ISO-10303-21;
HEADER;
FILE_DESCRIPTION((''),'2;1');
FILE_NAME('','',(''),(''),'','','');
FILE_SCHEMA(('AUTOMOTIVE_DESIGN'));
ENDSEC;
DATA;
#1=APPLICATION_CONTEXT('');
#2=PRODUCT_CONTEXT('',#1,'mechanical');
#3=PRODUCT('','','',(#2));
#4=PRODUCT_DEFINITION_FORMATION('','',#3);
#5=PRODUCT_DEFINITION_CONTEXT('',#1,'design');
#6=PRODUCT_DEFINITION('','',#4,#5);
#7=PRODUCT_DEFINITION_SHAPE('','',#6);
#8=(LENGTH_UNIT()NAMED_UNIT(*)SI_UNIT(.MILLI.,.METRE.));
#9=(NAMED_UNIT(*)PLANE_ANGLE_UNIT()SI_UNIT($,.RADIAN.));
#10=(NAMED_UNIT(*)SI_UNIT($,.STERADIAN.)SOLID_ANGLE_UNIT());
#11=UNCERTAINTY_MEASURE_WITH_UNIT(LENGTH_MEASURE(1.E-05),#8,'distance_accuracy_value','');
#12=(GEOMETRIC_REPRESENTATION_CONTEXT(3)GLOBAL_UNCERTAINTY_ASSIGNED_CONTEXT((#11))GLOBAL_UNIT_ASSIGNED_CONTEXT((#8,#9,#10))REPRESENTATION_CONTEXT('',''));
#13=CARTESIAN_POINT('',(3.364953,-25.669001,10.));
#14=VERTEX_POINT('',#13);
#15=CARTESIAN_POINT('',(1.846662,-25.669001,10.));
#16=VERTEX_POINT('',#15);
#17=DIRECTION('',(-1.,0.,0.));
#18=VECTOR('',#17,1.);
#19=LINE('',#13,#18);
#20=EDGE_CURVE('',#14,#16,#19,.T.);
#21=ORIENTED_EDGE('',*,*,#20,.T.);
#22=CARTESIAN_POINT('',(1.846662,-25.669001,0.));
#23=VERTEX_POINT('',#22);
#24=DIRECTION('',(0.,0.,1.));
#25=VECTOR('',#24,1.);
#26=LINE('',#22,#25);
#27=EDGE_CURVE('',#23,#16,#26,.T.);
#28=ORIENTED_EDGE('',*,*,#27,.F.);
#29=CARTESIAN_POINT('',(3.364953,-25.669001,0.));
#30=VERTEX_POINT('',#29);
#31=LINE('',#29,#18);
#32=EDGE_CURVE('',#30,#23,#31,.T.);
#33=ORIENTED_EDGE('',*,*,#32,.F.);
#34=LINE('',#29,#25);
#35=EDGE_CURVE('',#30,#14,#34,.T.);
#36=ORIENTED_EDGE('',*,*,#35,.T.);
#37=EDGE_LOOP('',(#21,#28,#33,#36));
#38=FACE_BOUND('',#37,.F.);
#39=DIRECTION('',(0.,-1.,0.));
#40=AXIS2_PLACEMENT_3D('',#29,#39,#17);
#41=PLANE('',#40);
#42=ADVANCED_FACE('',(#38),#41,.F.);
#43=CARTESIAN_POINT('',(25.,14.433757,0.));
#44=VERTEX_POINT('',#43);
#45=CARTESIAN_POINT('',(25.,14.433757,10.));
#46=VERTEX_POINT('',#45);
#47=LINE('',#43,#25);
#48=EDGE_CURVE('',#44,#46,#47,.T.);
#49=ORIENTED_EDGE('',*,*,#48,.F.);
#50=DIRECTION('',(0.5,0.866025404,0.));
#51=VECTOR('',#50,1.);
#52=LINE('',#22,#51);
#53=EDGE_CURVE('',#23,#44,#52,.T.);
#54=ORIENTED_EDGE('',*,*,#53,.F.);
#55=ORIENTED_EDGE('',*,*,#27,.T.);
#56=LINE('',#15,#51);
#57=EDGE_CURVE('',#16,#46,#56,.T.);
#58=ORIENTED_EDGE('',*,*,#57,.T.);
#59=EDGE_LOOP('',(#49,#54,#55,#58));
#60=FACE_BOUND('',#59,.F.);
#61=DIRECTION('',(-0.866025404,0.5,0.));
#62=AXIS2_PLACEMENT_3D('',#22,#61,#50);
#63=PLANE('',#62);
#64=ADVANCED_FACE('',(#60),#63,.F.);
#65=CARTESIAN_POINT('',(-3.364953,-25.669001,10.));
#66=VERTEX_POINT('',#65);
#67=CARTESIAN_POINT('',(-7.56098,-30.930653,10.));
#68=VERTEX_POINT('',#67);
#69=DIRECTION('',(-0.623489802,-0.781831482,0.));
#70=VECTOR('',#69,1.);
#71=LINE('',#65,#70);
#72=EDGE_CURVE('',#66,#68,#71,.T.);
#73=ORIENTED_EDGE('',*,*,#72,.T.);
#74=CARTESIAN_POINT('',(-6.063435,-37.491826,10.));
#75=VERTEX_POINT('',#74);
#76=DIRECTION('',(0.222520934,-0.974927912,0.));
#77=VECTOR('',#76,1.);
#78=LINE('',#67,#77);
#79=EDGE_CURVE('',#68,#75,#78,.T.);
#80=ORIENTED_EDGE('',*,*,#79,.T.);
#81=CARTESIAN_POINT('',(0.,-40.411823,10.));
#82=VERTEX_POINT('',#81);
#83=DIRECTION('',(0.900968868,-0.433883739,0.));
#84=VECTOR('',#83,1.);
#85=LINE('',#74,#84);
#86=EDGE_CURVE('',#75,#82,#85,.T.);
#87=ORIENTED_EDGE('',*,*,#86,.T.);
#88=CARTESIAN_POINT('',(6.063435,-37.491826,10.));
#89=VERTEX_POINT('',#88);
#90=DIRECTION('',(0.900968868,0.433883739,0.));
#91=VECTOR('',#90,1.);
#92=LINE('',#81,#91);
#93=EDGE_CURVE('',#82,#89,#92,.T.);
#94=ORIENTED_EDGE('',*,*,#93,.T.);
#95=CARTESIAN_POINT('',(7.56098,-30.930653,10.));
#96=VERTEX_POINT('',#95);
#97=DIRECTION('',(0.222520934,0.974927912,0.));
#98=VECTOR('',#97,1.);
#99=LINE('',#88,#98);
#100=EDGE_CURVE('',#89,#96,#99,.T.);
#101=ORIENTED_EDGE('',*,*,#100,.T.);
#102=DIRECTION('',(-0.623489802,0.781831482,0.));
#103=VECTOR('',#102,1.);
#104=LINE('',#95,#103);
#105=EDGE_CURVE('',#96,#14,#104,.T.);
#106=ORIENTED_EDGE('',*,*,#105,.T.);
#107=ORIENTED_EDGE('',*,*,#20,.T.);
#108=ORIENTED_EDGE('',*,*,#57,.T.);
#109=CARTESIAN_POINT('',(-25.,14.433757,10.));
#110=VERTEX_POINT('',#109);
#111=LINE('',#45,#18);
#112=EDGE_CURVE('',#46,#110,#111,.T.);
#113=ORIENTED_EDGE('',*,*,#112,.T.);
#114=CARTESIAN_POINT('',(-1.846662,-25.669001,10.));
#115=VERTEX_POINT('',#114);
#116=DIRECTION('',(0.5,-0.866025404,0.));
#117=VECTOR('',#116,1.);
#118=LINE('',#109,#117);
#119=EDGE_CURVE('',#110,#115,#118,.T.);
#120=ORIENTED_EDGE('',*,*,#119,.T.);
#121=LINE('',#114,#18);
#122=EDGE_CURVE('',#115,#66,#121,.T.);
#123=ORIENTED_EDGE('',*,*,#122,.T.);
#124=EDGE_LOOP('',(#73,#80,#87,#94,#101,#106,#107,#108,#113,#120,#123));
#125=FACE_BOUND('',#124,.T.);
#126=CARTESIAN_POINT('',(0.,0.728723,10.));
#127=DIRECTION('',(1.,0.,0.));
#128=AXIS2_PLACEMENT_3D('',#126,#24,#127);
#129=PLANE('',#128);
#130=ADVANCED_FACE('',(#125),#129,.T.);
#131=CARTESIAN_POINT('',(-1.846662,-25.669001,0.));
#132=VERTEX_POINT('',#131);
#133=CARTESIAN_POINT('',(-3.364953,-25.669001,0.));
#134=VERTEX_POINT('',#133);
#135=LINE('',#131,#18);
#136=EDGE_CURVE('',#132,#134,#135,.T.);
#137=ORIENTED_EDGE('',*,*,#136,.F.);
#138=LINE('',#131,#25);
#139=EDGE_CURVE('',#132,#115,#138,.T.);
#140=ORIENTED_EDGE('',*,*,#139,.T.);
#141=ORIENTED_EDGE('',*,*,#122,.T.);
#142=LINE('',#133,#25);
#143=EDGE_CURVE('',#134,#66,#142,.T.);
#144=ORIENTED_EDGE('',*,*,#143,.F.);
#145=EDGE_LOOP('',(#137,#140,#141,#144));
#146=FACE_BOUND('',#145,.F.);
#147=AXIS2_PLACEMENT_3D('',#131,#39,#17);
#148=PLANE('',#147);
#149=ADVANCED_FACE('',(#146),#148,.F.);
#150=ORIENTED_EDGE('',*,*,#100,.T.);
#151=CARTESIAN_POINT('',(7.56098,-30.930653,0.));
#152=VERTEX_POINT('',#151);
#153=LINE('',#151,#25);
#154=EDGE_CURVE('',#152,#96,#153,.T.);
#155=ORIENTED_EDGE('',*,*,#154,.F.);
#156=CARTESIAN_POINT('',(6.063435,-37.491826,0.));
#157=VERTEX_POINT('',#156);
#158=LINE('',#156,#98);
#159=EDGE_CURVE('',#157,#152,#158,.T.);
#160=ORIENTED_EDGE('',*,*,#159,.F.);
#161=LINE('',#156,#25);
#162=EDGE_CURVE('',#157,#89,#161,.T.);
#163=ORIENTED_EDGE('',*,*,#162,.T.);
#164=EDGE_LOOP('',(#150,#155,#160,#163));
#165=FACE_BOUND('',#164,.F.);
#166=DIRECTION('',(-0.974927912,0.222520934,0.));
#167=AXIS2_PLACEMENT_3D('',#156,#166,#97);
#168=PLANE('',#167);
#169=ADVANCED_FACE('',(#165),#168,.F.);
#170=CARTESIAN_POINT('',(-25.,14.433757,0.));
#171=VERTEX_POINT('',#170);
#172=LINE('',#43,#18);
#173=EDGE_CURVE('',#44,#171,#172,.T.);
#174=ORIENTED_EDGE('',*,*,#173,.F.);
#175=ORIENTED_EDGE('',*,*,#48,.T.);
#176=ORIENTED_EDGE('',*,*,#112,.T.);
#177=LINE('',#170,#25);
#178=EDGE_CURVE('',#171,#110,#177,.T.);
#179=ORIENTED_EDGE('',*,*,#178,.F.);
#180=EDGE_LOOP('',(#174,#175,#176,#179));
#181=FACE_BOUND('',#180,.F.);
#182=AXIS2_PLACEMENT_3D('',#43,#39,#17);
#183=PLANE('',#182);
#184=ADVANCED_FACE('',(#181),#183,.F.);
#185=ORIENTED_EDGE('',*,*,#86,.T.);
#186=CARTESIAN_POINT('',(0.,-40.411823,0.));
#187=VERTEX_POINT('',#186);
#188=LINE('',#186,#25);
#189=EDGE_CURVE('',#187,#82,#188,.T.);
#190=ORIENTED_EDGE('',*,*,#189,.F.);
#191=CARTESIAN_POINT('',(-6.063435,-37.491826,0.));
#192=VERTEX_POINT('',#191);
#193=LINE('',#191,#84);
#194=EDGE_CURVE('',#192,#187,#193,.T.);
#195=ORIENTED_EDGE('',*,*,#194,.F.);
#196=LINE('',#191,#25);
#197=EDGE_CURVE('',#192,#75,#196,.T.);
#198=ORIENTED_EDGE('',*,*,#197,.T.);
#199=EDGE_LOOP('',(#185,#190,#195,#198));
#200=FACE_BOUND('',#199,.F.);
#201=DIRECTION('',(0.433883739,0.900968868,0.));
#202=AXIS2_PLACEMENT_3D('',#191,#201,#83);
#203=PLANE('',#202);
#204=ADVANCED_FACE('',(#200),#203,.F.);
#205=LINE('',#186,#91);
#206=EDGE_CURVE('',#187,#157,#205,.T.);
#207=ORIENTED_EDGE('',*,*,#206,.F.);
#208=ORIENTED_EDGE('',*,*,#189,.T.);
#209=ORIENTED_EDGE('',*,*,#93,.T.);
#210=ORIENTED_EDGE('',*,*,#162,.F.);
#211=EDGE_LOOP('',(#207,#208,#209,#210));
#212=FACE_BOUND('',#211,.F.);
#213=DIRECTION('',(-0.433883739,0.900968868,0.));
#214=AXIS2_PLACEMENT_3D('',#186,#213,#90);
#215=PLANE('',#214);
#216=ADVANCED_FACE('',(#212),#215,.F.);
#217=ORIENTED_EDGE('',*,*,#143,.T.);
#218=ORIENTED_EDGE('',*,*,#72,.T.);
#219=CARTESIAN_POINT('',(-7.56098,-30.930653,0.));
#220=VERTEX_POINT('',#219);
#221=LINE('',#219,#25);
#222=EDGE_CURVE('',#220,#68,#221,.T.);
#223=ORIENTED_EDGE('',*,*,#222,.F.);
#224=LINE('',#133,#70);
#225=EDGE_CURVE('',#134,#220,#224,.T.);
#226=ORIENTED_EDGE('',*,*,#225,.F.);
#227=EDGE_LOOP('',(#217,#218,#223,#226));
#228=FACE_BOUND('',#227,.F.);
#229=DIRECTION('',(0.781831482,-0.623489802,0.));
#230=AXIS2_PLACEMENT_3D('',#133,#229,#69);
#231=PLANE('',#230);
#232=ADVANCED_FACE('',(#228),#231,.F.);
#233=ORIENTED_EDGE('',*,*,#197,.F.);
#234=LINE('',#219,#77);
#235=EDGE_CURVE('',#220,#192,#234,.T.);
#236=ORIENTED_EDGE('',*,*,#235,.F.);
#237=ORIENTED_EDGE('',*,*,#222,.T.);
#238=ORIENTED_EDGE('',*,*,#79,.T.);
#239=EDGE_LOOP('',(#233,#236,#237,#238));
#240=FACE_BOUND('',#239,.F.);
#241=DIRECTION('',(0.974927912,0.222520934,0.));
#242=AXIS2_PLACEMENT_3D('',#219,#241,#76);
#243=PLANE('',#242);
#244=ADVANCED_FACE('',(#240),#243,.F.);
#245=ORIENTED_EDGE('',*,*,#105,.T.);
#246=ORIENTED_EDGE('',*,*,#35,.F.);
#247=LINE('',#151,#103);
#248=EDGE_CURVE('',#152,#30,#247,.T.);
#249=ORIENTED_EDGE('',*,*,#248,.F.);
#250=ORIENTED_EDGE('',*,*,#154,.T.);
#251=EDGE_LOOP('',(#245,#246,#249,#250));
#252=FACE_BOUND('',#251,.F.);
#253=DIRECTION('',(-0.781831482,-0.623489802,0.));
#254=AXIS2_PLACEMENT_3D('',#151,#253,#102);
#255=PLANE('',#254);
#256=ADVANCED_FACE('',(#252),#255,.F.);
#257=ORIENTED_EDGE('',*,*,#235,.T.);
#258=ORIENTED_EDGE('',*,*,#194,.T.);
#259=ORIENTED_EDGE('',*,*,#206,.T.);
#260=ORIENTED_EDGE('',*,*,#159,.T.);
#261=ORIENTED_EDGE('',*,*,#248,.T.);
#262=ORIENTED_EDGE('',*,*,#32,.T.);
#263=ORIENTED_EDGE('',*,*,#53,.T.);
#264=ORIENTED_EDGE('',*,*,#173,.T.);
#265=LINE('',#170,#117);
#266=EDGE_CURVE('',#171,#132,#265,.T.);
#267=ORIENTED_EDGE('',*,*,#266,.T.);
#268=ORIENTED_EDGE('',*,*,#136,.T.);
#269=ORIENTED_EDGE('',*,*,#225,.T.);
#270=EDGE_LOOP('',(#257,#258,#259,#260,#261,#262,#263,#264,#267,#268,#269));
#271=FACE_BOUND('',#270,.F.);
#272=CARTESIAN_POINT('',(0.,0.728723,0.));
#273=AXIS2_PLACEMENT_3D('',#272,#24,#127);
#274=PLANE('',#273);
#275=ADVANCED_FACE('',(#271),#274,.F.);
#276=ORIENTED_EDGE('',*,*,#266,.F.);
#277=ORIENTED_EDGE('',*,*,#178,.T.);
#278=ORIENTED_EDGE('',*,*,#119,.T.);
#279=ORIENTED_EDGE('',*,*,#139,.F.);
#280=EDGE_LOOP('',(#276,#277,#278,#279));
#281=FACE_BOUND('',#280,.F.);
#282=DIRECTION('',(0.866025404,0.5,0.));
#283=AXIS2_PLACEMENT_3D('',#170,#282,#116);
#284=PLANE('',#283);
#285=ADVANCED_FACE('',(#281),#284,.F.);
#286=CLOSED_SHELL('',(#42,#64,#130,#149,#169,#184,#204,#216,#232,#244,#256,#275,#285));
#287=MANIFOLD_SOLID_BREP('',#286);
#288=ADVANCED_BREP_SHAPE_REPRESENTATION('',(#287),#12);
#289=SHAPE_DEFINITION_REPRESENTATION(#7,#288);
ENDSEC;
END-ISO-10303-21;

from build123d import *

# Parameters (mm, degrees)
F1_DEPTH = 10


with BuildPart() as f1:
    # F0 (on Top) → F1 (new body)
    with BuildSketch(Plane.XY):
        Polygon((1.8466618501, -25.6690013107), (25, 14.4337567297), (-25, 14.4337567297), (-1.8466618501, -25.6690013107), align=None)
        Polygon((3.3649527384, -25.6690013107), (1.8466618501, -25.6690013107), (0, -28.8675134595), (-1.8466618501, -25.6690013107), (-3.3649527384, -25.6690013107), (-7.5609801708, -30.9306532865), (-6.0634353186, -37.4918259823), (0, -40.4118225345), (6.0634353186, -37.4918259823), (7.5609801708, -30.9306532865), align=None)
        Polygon((0, -28.8675134595), (1.8466618501, -25.6690013107), (-1.8466618501, -25.6690013107), align=None)
    extrude(amount=F1_DEPTH)


solid = f1.part
